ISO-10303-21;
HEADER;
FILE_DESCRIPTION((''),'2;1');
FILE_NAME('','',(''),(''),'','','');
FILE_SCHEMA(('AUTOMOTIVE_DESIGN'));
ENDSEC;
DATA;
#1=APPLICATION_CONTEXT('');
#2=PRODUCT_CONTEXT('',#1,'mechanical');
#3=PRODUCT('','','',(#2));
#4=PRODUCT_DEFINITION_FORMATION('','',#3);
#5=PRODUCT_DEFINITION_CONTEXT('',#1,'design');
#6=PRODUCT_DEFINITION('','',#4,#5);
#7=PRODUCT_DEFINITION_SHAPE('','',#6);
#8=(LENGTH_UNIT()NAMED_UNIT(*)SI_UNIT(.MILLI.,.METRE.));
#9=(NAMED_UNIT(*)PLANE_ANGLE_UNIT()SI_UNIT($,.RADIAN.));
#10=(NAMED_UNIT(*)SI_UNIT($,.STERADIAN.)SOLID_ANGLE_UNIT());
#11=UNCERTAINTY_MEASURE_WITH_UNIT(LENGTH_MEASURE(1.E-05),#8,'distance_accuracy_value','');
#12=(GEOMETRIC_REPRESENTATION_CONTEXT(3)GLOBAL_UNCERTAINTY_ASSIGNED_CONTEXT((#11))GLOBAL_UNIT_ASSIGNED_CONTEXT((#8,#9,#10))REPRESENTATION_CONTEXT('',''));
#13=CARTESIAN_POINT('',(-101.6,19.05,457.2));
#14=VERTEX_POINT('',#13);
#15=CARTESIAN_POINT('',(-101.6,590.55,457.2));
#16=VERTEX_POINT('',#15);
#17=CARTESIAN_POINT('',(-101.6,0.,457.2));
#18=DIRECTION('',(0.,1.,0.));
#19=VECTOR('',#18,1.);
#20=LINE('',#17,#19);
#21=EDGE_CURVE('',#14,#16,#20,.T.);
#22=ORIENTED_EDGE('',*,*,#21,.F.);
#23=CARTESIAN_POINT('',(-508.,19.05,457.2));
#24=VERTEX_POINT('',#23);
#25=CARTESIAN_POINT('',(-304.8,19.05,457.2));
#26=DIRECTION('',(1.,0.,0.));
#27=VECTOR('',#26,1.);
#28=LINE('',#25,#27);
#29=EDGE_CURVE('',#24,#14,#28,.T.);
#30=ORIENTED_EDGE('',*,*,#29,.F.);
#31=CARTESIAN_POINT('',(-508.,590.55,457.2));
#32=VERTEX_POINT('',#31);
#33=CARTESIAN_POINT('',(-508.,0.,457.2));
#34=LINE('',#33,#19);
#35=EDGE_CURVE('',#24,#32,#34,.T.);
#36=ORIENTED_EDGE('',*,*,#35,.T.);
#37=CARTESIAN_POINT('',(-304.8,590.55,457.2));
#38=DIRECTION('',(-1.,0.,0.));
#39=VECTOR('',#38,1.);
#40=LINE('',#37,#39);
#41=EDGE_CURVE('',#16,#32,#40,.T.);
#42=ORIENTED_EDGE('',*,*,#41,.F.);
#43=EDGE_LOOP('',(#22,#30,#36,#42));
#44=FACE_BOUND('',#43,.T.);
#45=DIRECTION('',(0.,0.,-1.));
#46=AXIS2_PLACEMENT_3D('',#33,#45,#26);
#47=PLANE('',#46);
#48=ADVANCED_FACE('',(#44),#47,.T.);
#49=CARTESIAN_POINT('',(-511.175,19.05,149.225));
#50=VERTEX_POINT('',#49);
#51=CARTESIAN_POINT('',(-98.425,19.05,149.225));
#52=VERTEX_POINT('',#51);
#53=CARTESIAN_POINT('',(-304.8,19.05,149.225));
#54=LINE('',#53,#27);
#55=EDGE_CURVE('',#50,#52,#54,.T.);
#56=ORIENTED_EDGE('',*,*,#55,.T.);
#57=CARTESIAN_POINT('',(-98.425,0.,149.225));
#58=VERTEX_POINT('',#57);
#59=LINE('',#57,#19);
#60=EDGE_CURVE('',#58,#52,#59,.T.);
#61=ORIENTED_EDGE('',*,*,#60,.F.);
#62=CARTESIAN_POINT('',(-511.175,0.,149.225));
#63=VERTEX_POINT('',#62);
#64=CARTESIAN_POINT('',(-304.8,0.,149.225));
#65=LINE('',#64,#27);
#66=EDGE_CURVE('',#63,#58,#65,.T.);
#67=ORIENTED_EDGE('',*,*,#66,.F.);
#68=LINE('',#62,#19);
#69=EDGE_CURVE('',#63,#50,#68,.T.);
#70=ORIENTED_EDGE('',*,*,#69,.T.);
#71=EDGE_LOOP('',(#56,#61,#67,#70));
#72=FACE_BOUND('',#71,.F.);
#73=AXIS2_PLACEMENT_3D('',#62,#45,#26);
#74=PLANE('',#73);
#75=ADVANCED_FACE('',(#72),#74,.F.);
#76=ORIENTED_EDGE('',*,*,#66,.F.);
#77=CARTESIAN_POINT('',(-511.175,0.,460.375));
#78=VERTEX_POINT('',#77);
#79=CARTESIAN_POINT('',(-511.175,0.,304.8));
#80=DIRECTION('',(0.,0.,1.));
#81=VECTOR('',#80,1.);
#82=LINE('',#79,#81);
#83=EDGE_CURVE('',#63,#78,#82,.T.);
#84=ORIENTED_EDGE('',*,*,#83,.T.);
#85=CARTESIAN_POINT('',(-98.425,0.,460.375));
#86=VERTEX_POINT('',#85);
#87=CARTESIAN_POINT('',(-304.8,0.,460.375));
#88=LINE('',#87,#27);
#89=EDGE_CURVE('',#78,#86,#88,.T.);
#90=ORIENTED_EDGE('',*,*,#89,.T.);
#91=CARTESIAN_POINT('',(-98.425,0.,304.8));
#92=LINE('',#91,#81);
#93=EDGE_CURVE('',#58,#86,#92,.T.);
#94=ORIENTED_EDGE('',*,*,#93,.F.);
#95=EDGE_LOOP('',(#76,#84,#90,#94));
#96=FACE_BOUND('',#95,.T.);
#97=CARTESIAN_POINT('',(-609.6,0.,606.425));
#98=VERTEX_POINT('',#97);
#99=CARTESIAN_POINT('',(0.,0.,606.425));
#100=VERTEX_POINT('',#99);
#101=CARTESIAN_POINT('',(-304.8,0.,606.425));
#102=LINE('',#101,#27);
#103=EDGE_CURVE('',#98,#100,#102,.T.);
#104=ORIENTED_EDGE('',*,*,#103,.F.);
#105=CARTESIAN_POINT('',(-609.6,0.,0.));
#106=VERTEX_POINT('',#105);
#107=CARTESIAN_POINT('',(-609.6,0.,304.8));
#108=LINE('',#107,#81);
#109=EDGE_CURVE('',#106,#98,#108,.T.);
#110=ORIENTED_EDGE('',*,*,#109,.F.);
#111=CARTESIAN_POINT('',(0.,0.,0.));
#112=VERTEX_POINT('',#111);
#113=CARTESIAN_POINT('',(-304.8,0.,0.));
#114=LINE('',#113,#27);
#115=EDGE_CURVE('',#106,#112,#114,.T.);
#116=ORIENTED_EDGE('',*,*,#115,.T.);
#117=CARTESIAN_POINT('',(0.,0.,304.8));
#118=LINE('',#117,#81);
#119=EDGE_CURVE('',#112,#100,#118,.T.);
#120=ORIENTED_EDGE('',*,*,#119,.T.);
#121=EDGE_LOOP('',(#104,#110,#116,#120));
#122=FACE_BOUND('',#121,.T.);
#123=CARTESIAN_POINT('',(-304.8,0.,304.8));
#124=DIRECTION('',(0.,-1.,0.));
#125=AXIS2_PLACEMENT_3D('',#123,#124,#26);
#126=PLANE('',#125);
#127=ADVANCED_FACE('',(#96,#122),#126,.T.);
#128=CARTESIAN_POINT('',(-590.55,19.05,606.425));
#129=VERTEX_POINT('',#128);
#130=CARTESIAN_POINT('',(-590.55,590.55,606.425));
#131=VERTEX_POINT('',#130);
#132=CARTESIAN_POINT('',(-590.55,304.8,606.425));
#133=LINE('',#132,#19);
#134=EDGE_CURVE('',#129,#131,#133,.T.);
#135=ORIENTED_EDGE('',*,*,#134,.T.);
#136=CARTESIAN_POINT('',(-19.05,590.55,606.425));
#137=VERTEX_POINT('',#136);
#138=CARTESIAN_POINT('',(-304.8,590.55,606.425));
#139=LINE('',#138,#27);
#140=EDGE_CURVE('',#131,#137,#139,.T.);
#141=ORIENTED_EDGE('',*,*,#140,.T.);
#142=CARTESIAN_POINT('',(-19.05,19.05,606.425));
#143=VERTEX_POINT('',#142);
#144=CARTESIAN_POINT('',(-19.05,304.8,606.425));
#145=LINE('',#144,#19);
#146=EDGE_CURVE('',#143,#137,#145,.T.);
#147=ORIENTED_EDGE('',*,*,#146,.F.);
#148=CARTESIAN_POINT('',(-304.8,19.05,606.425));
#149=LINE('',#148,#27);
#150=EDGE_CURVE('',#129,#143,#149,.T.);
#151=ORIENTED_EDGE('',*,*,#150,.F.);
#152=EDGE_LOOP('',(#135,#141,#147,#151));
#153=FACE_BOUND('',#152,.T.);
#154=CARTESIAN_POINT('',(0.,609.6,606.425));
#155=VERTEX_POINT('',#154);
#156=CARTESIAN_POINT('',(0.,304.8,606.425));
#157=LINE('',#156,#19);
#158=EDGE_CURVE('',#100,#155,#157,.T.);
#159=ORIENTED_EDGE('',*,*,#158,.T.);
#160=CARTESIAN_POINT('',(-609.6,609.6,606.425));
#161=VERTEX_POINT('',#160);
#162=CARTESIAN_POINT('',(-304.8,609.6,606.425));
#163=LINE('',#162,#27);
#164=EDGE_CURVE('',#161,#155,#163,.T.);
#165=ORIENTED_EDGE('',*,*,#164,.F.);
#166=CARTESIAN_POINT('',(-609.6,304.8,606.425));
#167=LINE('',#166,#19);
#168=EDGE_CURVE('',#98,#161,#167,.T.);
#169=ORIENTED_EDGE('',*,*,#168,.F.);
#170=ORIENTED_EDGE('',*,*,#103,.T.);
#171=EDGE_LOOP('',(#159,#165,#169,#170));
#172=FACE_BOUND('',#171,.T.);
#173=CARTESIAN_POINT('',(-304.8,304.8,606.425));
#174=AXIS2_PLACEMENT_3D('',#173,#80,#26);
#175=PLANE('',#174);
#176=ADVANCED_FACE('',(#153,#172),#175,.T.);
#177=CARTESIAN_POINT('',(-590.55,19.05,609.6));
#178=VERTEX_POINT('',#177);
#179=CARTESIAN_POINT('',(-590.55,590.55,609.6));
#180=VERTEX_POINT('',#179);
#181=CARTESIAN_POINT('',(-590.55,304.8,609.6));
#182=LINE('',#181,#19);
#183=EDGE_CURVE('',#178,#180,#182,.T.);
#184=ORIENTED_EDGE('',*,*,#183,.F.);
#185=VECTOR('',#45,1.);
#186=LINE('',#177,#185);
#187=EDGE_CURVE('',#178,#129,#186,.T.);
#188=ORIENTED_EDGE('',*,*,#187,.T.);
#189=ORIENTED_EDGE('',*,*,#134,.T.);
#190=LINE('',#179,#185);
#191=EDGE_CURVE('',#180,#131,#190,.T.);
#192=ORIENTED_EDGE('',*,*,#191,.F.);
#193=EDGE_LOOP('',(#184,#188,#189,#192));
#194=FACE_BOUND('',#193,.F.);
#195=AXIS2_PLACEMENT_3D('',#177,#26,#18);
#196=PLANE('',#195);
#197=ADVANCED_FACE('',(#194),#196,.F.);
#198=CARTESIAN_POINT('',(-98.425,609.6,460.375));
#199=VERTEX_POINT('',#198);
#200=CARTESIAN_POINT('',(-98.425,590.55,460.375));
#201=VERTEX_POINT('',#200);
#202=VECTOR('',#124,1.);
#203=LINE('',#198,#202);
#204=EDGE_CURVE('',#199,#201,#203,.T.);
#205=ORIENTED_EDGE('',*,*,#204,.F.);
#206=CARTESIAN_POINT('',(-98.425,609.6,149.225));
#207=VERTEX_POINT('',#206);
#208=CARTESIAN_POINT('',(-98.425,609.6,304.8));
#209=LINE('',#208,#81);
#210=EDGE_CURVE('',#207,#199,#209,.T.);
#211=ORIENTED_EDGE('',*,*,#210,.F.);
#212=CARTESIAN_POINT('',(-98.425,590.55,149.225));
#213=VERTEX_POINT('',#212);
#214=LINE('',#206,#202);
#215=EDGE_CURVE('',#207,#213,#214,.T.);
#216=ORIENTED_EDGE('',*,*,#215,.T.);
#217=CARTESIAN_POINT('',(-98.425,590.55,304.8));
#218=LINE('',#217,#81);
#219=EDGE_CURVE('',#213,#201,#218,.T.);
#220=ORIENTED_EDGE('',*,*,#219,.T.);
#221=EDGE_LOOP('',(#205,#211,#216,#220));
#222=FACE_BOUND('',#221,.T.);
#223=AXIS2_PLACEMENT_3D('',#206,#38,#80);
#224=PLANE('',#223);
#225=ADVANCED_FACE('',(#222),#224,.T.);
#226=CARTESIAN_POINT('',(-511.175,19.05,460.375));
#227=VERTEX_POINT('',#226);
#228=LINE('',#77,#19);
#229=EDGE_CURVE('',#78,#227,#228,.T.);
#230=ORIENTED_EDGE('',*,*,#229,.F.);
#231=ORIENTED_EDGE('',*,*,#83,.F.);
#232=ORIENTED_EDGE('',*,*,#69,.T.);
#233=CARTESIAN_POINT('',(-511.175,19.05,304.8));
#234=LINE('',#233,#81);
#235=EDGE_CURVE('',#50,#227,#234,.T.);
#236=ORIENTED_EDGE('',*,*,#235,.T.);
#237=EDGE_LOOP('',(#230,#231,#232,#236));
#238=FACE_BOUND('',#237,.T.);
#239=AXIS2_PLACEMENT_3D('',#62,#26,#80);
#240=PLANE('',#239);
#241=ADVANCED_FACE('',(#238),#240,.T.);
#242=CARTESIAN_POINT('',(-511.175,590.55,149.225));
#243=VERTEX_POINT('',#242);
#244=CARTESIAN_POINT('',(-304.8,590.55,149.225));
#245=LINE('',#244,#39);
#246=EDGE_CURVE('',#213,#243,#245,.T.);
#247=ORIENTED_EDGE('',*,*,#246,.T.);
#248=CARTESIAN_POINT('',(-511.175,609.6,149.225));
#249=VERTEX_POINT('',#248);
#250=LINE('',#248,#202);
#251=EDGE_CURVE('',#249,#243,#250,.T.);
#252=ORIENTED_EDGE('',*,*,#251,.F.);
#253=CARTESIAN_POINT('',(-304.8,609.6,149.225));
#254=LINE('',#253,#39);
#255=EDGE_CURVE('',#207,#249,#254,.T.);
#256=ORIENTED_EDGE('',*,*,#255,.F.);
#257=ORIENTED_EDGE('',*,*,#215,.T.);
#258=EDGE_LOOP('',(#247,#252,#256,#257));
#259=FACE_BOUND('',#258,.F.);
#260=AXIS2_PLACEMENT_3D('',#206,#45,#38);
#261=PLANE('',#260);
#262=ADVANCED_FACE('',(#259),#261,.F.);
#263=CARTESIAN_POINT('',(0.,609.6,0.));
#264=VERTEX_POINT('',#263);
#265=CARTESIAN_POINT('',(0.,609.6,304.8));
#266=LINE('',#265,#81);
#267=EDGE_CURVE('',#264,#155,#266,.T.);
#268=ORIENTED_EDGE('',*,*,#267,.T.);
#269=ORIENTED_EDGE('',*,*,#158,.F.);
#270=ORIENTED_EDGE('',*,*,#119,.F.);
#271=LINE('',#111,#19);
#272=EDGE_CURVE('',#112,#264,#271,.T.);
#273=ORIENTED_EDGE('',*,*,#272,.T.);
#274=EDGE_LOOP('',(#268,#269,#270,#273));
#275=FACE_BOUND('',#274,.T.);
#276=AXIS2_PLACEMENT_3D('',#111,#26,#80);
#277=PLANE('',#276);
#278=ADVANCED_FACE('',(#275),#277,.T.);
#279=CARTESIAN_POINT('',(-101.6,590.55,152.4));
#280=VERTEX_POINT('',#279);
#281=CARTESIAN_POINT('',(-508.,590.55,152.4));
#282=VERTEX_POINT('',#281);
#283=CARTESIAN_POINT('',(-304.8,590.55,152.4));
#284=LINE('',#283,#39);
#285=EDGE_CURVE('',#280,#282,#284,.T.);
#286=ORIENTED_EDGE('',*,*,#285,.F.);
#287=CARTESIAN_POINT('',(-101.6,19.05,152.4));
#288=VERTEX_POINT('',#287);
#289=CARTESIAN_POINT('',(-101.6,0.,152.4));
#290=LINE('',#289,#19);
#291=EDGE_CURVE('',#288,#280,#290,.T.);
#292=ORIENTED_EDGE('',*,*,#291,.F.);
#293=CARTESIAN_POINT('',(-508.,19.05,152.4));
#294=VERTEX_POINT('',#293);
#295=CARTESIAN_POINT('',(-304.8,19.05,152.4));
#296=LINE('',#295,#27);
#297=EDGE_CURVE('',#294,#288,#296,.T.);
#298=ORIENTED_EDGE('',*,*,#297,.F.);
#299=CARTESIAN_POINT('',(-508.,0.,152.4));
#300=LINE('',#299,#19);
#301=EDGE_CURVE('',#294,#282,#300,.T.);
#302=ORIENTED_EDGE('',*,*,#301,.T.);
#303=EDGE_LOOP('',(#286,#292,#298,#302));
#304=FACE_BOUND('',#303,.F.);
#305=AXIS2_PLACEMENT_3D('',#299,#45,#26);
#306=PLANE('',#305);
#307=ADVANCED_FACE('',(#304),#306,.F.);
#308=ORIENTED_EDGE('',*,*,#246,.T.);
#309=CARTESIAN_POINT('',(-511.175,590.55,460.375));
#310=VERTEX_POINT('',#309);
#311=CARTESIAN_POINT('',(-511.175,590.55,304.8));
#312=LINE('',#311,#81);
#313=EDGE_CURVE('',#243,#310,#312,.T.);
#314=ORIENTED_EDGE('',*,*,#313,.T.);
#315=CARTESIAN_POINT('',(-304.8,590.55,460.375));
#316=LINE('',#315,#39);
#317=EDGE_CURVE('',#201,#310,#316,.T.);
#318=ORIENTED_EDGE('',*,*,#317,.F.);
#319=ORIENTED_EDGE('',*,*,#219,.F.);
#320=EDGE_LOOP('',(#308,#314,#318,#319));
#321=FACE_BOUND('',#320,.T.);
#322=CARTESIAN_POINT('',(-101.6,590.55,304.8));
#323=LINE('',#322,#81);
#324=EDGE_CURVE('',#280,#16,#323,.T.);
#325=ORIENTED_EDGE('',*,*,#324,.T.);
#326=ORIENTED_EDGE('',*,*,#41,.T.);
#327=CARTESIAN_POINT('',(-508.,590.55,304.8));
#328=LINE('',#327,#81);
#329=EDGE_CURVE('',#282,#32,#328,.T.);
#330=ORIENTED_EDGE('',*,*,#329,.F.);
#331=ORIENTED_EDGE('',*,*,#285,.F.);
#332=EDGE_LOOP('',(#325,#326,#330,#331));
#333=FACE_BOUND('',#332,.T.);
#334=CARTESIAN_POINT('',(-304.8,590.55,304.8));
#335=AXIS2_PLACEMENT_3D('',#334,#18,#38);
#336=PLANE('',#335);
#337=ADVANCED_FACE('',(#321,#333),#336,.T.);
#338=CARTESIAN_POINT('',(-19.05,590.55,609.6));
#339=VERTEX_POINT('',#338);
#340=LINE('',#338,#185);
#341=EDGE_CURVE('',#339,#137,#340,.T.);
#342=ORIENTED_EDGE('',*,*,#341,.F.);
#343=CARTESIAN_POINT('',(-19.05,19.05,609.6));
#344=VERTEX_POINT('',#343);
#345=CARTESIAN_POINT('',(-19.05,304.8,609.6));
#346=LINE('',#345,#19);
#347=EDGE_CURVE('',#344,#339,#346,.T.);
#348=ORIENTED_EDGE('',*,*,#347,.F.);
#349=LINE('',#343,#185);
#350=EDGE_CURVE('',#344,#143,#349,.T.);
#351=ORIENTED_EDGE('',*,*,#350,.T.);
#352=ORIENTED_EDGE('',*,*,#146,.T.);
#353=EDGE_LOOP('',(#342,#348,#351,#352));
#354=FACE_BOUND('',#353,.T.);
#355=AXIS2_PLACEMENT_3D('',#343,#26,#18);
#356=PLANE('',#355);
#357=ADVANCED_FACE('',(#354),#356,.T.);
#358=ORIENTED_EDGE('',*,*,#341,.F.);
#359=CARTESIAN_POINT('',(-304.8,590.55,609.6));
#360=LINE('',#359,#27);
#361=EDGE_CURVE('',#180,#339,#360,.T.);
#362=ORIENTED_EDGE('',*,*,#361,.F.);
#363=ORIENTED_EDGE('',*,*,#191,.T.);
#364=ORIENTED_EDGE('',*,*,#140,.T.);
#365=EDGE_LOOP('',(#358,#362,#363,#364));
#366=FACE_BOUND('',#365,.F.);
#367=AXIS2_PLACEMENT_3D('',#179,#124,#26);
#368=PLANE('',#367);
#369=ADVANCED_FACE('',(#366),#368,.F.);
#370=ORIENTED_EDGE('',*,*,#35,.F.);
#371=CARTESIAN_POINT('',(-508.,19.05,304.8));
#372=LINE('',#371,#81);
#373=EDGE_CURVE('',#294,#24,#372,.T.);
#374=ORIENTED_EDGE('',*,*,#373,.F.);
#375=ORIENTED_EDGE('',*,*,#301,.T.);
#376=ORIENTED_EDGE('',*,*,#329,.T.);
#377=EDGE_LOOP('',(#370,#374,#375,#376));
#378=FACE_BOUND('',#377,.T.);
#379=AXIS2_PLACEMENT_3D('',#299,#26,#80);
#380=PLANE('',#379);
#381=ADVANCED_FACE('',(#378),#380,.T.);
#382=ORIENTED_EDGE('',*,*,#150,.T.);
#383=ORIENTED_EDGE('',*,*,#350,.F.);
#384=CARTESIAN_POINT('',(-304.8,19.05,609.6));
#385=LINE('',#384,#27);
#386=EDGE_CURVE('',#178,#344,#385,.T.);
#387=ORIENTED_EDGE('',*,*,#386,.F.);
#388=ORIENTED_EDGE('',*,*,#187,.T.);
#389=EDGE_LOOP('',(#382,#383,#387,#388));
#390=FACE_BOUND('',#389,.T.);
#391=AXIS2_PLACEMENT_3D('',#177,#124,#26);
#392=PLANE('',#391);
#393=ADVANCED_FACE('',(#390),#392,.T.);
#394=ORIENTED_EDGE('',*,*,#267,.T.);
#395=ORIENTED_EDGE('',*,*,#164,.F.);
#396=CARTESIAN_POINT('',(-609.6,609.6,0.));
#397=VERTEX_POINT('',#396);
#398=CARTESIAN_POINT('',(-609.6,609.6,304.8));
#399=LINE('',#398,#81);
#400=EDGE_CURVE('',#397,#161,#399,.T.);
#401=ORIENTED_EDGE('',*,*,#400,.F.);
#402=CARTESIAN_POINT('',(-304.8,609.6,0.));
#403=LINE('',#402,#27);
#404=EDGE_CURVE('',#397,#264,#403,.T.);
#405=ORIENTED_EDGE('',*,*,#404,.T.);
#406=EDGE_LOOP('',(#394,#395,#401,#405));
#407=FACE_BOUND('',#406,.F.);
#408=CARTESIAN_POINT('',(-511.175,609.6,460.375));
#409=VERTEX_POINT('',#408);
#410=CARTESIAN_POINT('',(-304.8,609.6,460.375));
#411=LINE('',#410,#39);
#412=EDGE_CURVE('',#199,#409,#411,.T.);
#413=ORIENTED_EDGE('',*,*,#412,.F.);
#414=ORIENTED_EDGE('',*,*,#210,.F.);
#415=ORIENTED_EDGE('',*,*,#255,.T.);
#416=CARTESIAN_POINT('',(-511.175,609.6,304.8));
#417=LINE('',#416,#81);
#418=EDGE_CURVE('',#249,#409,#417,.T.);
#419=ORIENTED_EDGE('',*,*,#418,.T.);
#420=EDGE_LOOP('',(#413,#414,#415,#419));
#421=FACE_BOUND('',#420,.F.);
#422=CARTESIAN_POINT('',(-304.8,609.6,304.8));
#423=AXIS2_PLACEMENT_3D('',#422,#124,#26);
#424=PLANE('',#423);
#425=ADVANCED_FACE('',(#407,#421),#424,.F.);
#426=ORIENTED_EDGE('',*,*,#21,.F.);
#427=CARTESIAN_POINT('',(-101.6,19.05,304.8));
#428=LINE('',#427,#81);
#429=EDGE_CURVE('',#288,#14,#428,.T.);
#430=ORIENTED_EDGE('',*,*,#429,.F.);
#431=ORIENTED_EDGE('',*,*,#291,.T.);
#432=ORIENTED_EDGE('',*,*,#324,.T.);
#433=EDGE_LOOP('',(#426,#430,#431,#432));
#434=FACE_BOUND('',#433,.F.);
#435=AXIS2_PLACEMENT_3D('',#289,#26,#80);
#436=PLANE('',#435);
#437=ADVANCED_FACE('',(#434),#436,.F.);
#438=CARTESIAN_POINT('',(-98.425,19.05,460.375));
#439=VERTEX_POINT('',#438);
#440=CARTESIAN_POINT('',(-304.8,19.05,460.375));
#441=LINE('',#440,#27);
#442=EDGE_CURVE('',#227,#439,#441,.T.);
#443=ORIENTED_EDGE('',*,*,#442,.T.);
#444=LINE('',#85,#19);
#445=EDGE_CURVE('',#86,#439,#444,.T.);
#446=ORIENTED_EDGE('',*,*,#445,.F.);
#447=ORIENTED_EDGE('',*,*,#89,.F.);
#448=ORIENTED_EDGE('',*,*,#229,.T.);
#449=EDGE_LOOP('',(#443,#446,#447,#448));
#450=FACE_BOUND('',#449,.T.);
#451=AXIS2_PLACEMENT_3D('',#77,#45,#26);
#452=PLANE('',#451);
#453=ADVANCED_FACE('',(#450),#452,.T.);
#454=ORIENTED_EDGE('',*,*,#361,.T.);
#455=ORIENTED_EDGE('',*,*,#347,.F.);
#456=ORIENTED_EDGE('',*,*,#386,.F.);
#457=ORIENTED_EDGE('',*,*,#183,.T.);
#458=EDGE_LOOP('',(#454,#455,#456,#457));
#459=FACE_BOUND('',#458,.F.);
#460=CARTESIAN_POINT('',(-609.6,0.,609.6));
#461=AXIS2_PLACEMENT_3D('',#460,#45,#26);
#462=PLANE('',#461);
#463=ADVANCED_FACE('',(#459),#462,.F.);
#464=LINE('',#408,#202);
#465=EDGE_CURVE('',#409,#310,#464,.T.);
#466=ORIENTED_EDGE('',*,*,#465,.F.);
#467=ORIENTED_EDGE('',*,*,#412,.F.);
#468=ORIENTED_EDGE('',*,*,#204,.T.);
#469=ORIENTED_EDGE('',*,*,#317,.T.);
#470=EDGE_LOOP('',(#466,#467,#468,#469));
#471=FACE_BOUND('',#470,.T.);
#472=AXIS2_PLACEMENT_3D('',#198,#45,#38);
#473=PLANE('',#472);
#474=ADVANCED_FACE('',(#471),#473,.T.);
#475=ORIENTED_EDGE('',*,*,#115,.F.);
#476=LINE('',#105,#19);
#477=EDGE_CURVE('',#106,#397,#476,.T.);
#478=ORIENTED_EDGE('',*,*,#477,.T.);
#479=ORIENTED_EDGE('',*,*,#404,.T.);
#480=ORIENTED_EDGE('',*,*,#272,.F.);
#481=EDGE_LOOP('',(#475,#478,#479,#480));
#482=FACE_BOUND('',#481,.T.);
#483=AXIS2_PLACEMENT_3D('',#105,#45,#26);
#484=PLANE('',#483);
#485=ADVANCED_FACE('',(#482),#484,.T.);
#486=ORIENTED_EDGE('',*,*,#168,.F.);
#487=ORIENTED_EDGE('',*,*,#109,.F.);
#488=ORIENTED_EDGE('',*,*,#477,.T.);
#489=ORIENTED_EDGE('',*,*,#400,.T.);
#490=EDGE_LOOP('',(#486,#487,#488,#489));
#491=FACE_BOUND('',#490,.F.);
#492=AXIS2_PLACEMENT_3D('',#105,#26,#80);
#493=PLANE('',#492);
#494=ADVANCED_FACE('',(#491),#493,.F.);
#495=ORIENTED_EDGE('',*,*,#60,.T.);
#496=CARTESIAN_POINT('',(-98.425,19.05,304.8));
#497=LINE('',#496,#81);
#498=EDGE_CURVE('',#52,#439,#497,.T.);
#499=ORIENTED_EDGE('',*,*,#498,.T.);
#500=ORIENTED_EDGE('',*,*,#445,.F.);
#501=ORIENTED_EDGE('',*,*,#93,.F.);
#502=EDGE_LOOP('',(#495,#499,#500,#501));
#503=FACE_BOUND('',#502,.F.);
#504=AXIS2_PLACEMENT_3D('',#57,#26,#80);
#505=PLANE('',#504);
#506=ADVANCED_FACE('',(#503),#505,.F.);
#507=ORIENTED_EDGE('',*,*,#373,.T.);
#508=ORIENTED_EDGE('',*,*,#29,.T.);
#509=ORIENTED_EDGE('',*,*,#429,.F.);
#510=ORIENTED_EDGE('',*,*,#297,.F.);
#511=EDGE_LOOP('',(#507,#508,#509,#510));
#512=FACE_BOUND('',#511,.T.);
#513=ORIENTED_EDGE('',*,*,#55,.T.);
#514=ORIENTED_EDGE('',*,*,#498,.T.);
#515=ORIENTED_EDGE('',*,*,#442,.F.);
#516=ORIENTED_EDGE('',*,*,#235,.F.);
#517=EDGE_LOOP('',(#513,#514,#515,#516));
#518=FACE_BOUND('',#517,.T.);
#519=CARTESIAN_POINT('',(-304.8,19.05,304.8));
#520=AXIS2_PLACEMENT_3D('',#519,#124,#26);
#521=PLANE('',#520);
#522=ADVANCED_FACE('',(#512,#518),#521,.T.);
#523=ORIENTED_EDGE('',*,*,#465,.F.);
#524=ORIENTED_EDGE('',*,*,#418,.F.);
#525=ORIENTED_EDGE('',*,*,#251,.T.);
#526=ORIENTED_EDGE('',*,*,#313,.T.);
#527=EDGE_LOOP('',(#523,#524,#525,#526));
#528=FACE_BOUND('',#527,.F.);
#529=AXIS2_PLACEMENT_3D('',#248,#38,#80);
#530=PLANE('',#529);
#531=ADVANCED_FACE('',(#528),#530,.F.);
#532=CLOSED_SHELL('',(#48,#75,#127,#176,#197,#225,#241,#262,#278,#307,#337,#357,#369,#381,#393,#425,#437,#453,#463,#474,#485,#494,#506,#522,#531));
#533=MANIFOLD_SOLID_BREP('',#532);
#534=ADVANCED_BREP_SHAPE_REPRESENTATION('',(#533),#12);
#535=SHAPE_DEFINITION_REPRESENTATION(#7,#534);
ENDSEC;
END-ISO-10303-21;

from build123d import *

# Parameters (mm, degrees)
F0_W     = 609.6
F0_H     = 609.6
F0_W_2   = 406.4
F0_H_2   = 304.8
F1_DEPTH = 609.6
F2_W     = 609.6
F2_H     = 609.6
F2_W_2   = 571.5
F2_H_2   = 571.5
F3_DEPTH = 3.175
F4_W     = 412.75
F4_H     = 311.15
F4_W_2   = 406.4
F4_H_2   = 304.8
F5_DEPTH = 19.05
F6_W     = 412.75
F6_H     = 311.15
F6_W_2   = 406.4
F6_H_2   = 304.8
F7_DEPTH = 19.05


with BuildPart() as f1:
    # F0 (on Front) → F1 (new body)
    with BuildSketch(Plane.XZ):
        with Locations((-304.8, 304.8)):
            Rectangle(F0_W, F0_H)
        with Locations((-304.8, 304.8)):
            Rectangle(F0_W_2, F0_H_2, mode=Mode.SUBTRACT)
    extrude(amount=-F1_DEPTH)

    # F2 (on face) → F3 (cut)
    with BuildSketch(Plane.XY.offset(609.6)):
        with Locations((-304.8, 304.8)):
            Rectangle(F2_W, F2_H)
        with Locations((-304.8, 304.8)):
            Rectangle(F2_W_2, F2_H_2, mode=Mode.SUBTRACT)
    extrude(amount=-F3_DEPTH, mode=Mode.SUBTRACT)

    # F4 (on face) → F5 (cut)
    with BuildSketch(Plane.XZ):
        with Locations((-304.8, 304.8)):
            Rectangle(F4_W, F4_H)
        with Locations((-304.8, 304.8)):
            Rectangle(F4_W_2, F4_H_2, mode=Mode.SUBTRACT)
    extrude(amount=-F5_DEPTH, mode=Mode.SUBTRACT)

    # F6 (on face) → F7 (cut)
    with BuildSketch(Plane(origin=(0, 609.6, 0), x_dir=(-1, 0, 0), z_dir=(0, 1, 0))):
        with Locations((304.8, 304.8)):
            Rectangle(F6_W, F6_H)
        with Locations((304.8, 304.8)):
            Rectangle(F6_W_2, F6_H_2, mode=Mode.SUBTRACT)
    extrude(amount=-F7_DEPTH, mode=Mode.SUBTRACT)


solid = f1.part
